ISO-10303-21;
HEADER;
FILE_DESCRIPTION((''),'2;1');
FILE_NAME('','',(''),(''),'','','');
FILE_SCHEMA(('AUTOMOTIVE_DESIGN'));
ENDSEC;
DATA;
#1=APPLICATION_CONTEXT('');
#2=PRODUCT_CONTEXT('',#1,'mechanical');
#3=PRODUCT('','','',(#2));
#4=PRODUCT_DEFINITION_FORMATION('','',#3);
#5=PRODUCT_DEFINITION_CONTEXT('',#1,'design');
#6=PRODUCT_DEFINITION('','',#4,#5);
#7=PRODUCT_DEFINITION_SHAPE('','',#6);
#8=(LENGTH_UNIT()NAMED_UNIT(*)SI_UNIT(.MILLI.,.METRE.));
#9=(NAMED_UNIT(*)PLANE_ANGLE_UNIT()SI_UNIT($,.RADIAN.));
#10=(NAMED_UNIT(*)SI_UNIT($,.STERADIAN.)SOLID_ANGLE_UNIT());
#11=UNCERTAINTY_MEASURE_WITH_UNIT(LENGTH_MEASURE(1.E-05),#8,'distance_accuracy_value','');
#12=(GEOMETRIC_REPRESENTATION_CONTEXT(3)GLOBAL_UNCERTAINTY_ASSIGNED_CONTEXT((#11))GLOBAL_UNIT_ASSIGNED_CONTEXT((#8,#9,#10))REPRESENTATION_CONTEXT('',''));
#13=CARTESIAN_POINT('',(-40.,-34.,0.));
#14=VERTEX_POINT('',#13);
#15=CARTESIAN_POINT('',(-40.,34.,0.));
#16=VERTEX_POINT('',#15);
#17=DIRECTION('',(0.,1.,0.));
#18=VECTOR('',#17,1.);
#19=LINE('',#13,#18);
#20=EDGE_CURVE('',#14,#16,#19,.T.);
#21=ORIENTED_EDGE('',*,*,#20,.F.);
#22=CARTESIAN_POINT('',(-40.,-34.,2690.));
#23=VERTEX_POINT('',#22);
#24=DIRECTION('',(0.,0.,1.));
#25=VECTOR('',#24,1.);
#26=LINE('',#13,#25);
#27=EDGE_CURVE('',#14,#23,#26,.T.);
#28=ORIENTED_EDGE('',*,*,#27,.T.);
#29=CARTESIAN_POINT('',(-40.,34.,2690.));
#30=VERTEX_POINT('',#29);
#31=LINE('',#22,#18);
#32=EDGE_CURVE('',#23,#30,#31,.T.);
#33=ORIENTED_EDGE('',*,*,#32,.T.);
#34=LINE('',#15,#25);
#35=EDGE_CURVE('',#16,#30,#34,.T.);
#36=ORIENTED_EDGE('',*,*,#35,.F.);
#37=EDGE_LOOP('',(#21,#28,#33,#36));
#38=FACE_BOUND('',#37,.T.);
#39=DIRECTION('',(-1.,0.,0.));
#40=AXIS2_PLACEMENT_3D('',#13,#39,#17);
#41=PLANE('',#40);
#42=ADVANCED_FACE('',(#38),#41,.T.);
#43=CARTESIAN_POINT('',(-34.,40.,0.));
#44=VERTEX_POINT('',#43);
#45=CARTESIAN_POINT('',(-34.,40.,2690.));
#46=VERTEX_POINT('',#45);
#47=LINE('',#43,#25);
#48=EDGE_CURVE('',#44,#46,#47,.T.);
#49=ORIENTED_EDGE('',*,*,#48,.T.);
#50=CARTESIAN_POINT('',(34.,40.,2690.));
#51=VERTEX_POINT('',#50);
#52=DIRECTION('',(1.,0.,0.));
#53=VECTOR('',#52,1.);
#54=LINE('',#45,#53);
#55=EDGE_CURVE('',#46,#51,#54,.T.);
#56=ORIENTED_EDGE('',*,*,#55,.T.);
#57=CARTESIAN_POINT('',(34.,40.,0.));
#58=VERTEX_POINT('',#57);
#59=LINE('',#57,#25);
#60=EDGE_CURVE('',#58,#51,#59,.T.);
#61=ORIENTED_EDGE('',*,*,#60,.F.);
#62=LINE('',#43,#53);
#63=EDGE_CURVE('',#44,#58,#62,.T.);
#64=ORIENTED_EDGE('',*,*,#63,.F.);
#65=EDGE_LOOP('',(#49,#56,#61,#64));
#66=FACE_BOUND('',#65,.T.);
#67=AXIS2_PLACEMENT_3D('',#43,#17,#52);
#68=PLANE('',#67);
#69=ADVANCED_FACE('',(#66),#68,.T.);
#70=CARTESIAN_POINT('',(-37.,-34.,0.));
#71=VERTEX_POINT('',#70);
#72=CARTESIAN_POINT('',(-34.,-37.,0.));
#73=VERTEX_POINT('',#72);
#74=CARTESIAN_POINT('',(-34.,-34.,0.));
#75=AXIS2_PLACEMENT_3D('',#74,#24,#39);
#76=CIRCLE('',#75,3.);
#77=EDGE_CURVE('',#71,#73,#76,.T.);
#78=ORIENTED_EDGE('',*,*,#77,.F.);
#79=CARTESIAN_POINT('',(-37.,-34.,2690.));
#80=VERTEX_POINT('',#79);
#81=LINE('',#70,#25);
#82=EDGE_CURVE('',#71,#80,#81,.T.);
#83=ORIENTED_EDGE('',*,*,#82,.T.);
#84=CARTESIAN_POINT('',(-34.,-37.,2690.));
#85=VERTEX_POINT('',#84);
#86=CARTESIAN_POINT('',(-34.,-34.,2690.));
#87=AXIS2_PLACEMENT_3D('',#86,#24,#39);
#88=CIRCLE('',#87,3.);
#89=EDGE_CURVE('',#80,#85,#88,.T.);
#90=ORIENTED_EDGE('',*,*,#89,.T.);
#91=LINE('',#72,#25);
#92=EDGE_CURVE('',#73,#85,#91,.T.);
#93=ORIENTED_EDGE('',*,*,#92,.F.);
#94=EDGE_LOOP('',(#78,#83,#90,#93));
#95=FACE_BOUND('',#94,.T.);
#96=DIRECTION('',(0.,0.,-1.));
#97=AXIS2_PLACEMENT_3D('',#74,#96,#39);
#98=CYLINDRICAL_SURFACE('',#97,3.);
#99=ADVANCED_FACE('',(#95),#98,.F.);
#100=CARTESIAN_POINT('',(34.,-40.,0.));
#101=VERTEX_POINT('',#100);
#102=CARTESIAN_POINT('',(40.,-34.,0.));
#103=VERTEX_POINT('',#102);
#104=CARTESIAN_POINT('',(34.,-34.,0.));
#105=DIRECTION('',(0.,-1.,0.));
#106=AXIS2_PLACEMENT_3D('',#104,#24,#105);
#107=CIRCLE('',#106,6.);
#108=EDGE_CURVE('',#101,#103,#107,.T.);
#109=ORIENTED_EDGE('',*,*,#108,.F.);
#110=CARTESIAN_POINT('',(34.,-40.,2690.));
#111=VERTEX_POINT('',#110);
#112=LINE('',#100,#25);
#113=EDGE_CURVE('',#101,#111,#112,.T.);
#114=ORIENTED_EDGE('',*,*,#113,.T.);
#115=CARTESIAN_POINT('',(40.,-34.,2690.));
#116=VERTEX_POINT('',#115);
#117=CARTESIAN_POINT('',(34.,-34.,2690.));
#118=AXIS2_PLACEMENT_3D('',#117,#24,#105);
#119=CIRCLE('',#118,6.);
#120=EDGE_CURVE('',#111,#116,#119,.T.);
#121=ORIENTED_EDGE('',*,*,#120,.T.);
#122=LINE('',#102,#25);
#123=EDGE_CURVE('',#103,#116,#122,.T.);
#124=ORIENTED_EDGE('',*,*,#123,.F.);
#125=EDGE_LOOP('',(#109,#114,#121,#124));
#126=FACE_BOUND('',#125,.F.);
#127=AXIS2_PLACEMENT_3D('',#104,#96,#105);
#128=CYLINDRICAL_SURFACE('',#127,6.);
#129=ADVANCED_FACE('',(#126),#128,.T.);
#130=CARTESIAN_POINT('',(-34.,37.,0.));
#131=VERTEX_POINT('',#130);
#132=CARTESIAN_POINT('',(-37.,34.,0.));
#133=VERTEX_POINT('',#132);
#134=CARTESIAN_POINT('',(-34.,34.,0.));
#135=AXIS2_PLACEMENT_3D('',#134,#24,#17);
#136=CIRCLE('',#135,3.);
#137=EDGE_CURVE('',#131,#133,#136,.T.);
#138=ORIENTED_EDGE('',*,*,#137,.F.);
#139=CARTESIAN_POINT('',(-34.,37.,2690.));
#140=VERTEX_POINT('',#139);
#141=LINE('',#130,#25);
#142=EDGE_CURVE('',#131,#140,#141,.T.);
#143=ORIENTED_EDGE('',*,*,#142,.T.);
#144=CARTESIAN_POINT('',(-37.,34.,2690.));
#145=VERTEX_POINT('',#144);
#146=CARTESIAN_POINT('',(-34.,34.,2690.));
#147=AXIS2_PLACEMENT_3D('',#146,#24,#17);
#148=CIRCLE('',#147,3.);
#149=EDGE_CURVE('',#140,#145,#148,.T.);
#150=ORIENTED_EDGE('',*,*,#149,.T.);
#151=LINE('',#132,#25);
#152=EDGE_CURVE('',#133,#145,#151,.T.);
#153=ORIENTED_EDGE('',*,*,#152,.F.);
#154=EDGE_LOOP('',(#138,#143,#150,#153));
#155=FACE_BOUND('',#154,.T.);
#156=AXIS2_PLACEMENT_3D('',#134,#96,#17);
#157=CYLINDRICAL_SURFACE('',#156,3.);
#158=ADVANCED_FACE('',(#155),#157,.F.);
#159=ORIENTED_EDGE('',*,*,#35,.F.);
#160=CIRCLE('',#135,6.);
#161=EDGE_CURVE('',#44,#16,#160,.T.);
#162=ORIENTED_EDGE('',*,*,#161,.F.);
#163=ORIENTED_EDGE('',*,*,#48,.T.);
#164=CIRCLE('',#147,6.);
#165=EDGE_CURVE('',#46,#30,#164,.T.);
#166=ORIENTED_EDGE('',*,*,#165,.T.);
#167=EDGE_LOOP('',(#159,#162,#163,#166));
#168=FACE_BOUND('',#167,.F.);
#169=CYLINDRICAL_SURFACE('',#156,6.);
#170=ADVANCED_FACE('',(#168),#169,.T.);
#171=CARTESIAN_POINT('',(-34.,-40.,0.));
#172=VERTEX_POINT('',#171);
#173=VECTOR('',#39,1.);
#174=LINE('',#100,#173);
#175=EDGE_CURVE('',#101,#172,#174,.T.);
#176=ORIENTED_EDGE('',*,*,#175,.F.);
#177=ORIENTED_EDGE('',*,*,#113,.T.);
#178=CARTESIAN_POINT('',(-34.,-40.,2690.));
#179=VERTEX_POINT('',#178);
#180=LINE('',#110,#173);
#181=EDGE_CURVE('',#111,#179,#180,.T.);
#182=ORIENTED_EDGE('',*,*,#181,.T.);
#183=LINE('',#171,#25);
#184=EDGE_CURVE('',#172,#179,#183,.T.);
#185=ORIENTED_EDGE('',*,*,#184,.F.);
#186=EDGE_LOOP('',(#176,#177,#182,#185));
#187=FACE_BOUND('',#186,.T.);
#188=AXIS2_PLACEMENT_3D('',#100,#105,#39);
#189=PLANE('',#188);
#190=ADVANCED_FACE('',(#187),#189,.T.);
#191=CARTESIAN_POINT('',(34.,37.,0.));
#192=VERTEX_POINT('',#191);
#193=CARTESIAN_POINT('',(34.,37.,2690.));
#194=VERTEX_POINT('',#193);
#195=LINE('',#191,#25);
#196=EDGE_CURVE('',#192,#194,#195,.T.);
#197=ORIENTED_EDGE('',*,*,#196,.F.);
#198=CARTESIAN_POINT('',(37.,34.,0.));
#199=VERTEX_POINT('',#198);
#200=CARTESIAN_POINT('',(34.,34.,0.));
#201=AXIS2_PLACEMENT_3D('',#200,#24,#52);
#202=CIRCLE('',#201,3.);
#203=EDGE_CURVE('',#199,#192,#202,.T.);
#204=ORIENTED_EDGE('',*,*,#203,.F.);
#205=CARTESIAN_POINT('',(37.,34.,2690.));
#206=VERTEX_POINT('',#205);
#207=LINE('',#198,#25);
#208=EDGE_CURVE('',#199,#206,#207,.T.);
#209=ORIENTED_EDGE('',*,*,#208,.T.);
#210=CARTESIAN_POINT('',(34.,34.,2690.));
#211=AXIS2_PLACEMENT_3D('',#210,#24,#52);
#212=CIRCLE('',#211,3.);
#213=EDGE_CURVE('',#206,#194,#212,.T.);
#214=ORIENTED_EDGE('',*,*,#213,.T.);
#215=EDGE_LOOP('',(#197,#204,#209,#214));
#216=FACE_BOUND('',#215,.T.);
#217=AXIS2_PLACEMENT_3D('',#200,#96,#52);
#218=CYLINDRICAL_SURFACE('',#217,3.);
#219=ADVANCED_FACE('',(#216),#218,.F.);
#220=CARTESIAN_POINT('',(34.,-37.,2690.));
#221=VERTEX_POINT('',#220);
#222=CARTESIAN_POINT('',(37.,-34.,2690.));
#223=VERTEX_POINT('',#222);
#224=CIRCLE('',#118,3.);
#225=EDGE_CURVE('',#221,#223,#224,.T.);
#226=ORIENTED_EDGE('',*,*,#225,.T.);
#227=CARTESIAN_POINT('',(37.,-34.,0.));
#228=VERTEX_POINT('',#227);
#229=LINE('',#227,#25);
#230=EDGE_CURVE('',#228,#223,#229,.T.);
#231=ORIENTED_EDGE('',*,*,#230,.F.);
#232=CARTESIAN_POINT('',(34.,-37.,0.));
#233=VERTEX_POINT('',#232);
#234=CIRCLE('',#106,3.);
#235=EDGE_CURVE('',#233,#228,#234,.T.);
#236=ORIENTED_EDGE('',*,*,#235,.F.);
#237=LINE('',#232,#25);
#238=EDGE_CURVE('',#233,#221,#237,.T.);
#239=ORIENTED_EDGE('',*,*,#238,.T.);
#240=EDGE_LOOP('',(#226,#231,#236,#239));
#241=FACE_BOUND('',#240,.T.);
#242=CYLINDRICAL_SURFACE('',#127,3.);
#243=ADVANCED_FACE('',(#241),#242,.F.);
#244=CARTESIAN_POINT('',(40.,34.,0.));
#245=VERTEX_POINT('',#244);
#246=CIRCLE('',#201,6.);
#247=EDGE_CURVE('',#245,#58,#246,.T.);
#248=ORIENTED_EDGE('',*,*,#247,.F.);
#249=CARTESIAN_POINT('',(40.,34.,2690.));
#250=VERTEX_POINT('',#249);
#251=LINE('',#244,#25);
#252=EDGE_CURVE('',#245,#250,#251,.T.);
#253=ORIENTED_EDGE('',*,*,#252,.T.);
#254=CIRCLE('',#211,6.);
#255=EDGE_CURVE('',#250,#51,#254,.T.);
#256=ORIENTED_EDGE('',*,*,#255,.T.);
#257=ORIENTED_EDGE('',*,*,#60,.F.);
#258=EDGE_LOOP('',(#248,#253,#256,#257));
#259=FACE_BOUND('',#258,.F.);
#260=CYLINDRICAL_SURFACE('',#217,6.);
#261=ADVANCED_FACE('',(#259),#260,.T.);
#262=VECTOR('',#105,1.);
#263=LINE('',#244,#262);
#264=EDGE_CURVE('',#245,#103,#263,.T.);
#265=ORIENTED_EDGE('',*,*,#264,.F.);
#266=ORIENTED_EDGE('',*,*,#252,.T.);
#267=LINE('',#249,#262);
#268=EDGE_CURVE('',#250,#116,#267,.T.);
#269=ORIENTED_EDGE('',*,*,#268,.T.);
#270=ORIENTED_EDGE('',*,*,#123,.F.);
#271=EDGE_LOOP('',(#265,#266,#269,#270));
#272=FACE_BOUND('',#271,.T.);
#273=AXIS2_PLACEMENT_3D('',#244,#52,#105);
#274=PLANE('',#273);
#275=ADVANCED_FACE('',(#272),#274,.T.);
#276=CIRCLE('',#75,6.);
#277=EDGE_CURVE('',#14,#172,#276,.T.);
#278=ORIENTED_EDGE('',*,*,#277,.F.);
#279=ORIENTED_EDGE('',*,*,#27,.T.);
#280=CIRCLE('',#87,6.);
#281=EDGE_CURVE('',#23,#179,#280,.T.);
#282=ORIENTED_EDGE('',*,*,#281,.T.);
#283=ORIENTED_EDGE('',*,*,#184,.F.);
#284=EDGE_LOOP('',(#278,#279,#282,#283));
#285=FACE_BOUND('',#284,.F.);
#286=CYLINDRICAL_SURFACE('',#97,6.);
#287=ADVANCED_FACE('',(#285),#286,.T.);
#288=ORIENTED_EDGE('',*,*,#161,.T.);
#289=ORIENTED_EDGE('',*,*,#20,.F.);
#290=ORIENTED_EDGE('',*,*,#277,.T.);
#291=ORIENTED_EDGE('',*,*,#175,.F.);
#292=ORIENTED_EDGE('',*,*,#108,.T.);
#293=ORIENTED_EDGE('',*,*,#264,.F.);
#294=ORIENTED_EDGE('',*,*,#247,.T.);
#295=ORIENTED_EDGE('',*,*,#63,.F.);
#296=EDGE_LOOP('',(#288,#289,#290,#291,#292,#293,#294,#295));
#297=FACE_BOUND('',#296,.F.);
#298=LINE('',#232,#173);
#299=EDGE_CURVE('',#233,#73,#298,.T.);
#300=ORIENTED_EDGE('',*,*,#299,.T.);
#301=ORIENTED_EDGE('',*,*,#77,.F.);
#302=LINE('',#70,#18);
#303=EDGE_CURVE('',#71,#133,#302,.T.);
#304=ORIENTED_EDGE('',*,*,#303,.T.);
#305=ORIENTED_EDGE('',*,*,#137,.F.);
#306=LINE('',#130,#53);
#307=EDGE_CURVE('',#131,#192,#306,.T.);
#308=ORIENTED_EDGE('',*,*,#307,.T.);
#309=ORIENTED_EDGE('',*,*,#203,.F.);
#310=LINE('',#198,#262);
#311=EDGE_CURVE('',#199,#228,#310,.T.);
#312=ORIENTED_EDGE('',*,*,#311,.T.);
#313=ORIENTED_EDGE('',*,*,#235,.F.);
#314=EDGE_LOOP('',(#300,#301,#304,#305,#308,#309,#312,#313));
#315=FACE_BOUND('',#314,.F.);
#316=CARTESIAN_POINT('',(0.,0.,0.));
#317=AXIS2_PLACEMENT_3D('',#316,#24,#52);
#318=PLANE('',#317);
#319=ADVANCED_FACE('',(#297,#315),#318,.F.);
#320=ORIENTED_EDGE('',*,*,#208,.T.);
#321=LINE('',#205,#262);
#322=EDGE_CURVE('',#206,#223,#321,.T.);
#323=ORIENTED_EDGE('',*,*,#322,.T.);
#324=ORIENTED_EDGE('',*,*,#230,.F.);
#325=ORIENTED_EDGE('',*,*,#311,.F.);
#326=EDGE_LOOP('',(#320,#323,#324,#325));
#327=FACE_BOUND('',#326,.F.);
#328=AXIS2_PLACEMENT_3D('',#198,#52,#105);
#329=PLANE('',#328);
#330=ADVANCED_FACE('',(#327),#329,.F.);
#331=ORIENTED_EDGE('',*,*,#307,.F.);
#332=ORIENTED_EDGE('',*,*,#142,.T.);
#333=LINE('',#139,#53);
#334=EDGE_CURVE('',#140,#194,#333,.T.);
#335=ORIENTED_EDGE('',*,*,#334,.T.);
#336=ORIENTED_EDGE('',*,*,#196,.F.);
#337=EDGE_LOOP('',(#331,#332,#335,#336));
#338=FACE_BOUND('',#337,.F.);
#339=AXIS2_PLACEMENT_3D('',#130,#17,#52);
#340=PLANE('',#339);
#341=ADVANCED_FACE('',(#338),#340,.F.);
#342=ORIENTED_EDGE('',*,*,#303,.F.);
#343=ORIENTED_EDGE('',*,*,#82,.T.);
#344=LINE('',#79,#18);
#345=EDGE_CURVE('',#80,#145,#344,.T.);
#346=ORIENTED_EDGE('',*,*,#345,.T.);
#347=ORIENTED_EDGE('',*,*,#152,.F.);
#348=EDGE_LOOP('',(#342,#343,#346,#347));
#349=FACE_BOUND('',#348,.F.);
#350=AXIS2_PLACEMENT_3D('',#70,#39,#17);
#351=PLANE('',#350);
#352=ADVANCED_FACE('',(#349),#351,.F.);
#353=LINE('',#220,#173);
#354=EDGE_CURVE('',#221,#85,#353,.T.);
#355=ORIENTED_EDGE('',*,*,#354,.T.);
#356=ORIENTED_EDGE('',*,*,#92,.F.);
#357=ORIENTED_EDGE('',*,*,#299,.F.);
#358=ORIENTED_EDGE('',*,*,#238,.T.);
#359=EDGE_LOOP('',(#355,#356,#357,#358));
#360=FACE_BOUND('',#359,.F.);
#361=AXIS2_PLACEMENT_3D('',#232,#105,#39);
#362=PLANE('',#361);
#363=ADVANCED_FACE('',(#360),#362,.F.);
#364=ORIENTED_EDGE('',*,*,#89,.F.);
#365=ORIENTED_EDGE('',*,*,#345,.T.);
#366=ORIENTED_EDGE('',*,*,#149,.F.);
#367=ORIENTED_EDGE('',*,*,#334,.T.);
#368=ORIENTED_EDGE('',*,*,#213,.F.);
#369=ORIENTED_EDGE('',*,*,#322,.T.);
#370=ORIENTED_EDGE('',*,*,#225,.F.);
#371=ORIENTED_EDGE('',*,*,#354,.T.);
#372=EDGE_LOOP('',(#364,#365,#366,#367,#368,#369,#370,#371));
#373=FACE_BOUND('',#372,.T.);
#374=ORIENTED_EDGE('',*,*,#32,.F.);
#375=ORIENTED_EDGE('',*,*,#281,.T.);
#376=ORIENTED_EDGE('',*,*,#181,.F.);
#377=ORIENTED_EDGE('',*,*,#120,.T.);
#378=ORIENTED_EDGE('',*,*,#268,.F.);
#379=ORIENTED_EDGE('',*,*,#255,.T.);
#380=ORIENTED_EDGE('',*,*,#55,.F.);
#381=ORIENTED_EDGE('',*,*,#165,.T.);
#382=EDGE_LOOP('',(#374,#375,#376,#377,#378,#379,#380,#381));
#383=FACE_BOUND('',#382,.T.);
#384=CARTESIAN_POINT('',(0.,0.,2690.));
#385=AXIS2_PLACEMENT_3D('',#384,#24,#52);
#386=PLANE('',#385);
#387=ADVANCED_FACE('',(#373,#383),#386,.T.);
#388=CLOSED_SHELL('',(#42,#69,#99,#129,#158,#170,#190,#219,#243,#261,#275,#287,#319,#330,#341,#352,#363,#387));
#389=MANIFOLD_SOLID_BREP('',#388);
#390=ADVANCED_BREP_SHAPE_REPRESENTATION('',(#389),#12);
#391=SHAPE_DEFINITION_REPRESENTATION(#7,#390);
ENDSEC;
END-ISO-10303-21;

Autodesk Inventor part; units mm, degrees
ref_plane "YZ Plane" through (0, 0, 0) normal (1, 0, 0) x (0, 1, 0)
ref_plane "Start Plane" through (0, 0, 0) normal (0, 0, 1) x (1, 0, 0)
ref_plane "End Plane" through (0, 0, 2690) normal (0, 0, 1) x (1, 0, 0)
sketch "Sketch" plane through (0, 0, 0) normal (0, 0, 1) x (1, 0, 0)
  line L0 (-40, -34) -> (-40, 34)
  line L1 (-34, 40) -> (34, 40)
  line L2 (40, 34) -> (40, -34)
  line L3 (34, -40) -> (-34, -40)
  arc A0 (-40, -34) -> (-34, -40) centre (-34, -34) ccw
  arc A1 (40, 34) -> (34, 40) centre (34, 34) ccw
  arc A2 (-34, 40) -> (-40, 34) centre (-34, 34) ccw
  arc A3 (34, -40) -> (40, -34) centre (34, -34) ccw
  arc A4 (-34, 37) -> (-37, 34) centre (-34, 34) ccw
  line L4 (-34, 37) -> (34, 37)
  arc A5 (37, 34) -> (34, 37) centre (34, 34) ccw
  line L5 (37, 34) -> (37, -34)
  arc A6 (34, -37) -> (37, -34) centre (34, -34) ccw
  line L6 (34, -37) -> (-34, -37)
  arc A7 (-37, -34) -> (-34, -37) centre (-34, -34) ccw
  line L7 (-37, -34) -> (-37, 34)
  line L8 (0, 57.7397) -> (0, -57.7397) construction
  line L9 (-57.7397, 0) -> (57.7397, 0) construction
  dimension "d7" = 6
  dimension "d9" = 80
  dimension "d11" = 80
  dimension "d12" = 3
  dimension "d15" = 40
  dimension "d16" = 40
extrude "Body" add sketch "Sketch" along normal up to surface (2690 mm away) from surface at 0
sketch "Sketch3" plane through (0, 0, 0) normal (0, 0, 1) x (1, 0, 0)
  line L0 (0, 0) -> (10, 0)
ref_plane "Work Plane3" through (0, 0, 0) normal (0, -1, 0) x (1, 0, 0)
sketch "Sketch4" plane through (0, 0, 0) normal (0, -1, 0) x (1, 0, 0)
  line L0 (-2, 0) -> (12, 0) projected
  line L1 (-2, 2690) -> (12, 2690) projected
  dimension "d18" = 2690
equation "\"d7\" = G_IR"
equation "\"d9\" = G_W"
equation "\"d11\" = G_H"
equation "\"d12\" = G_T"
equation "\"d15\" = 0.5 * d9"
equation "\"d16\" = 0.5 * d11"
equation "\"d3\" = G_L"
equation "\"G_W\" = 80"
equation "\"G_H\" = 80"
equation "\"G_T\" = 3"
equation "\"G_IR\" = 6"
equation "\"G_L\" = d18"
equation "\"G_OFFSET_START\" = 0"
properties part number "ISO 10799-2 - 80x80x3 - 2690" material "Steel, Mild"
